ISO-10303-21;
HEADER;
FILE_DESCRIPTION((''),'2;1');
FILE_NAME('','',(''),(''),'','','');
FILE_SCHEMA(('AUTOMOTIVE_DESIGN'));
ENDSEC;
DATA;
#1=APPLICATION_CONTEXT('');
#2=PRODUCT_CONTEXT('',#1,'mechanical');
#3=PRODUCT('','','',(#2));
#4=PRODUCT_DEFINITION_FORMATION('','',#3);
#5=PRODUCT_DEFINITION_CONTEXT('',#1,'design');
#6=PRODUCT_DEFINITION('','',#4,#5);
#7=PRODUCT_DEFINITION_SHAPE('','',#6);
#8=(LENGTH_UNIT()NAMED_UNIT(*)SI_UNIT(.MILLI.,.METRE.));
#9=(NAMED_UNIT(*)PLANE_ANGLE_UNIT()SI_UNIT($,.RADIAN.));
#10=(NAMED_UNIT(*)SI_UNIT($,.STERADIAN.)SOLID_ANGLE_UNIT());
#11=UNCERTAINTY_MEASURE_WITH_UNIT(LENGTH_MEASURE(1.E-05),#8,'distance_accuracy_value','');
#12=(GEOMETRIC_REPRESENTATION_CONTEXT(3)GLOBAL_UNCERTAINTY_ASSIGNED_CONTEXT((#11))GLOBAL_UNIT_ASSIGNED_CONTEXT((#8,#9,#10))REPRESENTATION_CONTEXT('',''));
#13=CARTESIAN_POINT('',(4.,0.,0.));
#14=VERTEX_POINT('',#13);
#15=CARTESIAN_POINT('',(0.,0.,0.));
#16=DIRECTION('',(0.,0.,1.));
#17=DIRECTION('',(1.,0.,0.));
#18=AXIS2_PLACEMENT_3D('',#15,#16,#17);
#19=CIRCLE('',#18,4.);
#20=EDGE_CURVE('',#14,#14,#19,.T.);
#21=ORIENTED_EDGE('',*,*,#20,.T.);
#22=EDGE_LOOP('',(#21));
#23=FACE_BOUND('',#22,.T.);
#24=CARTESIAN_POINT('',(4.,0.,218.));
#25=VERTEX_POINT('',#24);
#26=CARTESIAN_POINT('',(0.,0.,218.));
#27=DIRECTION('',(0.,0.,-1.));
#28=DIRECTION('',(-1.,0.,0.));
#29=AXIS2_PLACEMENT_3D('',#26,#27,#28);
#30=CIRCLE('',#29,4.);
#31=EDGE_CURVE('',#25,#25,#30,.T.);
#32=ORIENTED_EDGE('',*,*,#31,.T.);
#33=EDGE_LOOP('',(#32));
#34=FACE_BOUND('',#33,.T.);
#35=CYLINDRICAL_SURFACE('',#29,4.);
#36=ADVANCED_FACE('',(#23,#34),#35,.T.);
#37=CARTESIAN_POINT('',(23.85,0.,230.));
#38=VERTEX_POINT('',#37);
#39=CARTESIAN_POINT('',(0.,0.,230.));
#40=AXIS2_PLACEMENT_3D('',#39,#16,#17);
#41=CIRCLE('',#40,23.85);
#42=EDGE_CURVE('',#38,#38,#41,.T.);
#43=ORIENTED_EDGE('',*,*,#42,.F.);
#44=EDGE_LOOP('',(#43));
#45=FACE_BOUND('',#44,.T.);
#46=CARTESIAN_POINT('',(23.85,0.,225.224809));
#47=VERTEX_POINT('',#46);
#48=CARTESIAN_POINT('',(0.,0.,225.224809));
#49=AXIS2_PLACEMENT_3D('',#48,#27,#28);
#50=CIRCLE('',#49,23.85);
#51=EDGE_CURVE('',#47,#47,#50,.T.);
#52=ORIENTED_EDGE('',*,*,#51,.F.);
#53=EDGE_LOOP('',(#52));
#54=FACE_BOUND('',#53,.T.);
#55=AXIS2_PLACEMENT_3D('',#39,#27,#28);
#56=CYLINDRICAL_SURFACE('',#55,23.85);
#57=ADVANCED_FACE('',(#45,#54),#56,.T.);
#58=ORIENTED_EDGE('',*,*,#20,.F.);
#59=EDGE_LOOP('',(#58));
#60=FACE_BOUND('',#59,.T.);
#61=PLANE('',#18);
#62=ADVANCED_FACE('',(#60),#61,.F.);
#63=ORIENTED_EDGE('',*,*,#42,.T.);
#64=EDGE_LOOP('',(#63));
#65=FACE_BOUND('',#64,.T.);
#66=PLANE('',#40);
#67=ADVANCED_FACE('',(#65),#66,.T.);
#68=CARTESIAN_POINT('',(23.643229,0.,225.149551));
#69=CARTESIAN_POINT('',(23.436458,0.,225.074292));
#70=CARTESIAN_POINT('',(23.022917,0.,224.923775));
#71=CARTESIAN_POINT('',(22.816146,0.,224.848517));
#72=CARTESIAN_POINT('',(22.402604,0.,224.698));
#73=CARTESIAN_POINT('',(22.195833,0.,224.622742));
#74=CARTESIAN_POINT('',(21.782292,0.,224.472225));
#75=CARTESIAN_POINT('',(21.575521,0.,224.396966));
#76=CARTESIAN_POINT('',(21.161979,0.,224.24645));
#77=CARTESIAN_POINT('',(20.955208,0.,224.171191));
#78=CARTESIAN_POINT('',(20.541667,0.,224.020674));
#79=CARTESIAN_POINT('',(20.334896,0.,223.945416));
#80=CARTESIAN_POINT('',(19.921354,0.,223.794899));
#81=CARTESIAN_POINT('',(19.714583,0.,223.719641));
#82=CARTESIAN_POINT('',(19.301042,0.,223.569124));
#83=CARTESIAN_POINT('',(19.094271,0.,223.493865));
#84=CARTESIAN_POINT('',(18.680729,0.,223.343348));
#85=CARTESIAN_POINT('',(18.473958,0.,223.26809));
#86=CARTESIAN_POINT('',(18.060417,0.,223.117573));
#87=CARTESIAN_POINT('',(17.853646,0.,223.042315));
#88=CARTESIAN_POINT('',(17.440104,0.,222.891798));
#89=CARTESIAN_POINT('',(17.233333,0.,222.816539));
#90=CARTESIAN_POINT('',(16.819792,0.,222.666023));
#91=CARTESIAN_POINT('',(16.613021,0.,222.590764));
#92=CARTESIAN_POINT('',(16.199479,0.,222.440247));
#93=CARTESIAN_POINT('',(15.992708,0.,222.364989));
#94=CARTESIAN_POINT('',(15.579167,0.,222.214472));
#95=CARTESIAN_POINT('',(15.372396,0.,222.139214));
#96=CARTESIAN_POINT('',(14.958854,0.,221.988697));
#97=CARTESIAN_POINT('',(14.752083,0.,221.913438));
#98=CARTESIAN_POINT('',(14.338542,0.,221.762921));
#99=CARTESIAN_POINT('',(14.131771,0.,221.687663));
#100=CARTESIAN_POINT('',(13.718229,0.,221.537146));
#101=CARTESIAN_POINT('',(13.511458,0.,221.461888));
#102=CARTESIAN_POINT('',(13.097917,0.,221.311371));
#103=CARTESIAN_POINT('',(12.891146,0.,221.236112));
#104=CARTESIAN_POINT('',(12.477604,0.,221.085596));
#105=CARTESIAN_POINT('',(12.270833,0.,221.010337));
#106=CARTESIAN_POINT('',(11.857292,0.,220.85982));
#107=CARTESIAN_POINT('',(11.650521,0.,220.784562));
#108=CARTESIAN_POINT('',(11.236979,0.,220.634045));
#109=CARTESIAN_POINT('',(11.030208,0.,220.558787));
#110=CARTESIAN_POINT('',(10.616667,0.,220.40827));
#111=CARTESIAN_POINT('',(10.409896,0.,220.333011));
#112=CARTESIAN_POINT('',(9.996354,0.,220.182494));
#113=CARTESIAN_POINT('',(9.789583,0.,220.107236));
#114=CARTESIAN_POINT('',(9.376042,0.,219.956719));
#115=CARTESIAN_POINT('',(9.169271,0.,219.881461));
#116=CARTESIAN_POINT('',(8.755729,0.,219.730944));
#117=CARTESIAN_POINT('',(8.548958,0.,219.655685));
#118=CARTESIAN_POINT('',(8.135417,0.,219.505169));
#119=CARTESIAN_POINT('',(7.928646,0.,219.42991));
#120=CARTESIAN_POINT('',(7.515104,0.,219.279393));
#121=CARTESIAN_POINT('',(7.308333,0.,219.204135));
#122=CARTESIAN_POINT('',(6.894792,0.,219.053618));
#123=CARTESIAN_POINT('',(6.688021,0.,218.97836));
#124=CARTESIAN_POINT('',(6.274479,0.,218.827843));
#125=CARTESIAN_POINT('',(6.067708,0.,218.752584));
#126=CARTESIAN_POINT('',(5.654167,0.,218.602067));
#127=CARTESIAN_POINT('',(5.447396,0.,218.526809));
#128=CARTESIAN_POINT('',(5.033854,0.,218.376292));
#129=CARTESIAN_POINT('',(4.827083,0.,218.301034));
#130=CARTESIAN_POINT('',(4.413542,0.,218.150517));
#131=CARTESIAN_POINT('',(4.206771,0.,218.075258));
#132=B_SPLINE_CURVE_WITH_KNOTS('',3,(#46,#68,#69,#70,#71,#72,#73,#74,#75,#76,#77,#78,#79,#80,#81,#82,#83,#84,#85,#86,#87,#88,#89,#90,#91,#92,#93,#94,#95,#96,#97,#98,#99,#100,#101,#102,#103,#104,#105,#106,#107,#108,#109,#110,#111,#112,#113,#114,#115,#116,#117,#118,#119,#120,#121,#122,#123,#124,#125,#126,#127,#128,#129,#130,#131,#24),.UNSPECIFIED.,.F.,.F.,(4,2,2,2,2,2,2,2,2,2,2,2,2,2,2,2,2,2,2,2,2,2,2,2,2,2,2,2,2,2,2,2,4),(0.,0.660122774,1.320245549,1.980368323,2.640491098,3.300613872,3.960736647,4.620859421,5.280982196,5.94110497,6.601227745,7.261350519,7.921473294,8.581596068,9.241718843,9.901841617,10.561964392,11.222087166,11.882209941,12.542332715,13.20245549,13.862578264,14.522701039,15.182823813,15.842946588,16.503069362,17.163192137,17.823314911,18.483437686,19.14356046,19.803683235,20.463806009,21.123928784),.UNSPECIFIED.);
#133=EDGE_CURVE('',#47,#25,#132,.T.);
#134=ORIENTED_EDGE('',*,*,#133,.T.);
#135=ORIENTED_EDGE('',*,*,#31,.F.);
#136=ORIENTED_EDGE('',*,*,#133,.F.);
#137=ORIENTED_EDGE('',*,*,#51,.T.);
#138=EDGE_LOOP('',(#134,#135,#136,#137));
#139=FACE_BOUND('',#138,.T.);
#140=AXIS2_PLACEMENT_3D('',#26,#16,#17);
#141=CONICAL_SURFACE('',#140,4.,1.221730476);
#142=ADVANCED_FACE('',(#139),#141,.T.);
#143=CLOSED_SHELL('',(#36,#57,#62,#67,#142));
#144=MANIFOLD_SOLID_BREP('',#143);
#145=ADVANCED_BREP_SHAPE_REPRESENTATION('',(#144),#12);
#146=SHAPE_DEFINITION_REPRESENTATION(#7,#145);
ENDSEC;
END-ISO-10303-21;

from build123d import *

# Parameters (mm, degrees)
SKETCH1_R           = 23.85
BOSS_EXTRUDE1_DEPTH = 230
SKETCH2_OUTSIDE_W   = 97.638
SKETCH2_OUTSIDE_H   = 97.638
SKETCH2_OUTSIDE_R   = 4
CUT_EXTRUDE1_DEPTH  = 218


with BuildPart() as part:
    # Sketch1 → Boss-Extrude1 (new body)
    with BuildSketch(Plane.XY):
        Circle(SKETCH1_R)
    extrude(amount=BOSS_EXTRUDE1_DEPTH)

    # Sketch2 outside → Cut-Extrude1 (cut)
    with BuildSketch(Plane.XY):
        Rectangle(SKETCH2_OUTSIDE_W, SKETCH2_OUTSIDE_H)
        Circle(SKETCH2_OUTSIDE_R, mode=Mode.SUBTRACT)
    extrude(amount=CUT_EXTRUDE1_DEPTH, mode=Mode.SUBTRACT)

    # Sketch5 → Cut-Revolve1 (revolve, cut)
    with BuildSketch(Plane(origin=(0, 0, 0), x_dir=(1, 0, 0), z_dir=(0, 1, 0))):
        Polygon((4, -218), (23.85, -225.22480915), (23.85, -218), align=None)
    revolve(axis=Axis((0, 0, 0), (0, 0, 1)), mode=Mode.SUBTRACT)


solid = part.part
